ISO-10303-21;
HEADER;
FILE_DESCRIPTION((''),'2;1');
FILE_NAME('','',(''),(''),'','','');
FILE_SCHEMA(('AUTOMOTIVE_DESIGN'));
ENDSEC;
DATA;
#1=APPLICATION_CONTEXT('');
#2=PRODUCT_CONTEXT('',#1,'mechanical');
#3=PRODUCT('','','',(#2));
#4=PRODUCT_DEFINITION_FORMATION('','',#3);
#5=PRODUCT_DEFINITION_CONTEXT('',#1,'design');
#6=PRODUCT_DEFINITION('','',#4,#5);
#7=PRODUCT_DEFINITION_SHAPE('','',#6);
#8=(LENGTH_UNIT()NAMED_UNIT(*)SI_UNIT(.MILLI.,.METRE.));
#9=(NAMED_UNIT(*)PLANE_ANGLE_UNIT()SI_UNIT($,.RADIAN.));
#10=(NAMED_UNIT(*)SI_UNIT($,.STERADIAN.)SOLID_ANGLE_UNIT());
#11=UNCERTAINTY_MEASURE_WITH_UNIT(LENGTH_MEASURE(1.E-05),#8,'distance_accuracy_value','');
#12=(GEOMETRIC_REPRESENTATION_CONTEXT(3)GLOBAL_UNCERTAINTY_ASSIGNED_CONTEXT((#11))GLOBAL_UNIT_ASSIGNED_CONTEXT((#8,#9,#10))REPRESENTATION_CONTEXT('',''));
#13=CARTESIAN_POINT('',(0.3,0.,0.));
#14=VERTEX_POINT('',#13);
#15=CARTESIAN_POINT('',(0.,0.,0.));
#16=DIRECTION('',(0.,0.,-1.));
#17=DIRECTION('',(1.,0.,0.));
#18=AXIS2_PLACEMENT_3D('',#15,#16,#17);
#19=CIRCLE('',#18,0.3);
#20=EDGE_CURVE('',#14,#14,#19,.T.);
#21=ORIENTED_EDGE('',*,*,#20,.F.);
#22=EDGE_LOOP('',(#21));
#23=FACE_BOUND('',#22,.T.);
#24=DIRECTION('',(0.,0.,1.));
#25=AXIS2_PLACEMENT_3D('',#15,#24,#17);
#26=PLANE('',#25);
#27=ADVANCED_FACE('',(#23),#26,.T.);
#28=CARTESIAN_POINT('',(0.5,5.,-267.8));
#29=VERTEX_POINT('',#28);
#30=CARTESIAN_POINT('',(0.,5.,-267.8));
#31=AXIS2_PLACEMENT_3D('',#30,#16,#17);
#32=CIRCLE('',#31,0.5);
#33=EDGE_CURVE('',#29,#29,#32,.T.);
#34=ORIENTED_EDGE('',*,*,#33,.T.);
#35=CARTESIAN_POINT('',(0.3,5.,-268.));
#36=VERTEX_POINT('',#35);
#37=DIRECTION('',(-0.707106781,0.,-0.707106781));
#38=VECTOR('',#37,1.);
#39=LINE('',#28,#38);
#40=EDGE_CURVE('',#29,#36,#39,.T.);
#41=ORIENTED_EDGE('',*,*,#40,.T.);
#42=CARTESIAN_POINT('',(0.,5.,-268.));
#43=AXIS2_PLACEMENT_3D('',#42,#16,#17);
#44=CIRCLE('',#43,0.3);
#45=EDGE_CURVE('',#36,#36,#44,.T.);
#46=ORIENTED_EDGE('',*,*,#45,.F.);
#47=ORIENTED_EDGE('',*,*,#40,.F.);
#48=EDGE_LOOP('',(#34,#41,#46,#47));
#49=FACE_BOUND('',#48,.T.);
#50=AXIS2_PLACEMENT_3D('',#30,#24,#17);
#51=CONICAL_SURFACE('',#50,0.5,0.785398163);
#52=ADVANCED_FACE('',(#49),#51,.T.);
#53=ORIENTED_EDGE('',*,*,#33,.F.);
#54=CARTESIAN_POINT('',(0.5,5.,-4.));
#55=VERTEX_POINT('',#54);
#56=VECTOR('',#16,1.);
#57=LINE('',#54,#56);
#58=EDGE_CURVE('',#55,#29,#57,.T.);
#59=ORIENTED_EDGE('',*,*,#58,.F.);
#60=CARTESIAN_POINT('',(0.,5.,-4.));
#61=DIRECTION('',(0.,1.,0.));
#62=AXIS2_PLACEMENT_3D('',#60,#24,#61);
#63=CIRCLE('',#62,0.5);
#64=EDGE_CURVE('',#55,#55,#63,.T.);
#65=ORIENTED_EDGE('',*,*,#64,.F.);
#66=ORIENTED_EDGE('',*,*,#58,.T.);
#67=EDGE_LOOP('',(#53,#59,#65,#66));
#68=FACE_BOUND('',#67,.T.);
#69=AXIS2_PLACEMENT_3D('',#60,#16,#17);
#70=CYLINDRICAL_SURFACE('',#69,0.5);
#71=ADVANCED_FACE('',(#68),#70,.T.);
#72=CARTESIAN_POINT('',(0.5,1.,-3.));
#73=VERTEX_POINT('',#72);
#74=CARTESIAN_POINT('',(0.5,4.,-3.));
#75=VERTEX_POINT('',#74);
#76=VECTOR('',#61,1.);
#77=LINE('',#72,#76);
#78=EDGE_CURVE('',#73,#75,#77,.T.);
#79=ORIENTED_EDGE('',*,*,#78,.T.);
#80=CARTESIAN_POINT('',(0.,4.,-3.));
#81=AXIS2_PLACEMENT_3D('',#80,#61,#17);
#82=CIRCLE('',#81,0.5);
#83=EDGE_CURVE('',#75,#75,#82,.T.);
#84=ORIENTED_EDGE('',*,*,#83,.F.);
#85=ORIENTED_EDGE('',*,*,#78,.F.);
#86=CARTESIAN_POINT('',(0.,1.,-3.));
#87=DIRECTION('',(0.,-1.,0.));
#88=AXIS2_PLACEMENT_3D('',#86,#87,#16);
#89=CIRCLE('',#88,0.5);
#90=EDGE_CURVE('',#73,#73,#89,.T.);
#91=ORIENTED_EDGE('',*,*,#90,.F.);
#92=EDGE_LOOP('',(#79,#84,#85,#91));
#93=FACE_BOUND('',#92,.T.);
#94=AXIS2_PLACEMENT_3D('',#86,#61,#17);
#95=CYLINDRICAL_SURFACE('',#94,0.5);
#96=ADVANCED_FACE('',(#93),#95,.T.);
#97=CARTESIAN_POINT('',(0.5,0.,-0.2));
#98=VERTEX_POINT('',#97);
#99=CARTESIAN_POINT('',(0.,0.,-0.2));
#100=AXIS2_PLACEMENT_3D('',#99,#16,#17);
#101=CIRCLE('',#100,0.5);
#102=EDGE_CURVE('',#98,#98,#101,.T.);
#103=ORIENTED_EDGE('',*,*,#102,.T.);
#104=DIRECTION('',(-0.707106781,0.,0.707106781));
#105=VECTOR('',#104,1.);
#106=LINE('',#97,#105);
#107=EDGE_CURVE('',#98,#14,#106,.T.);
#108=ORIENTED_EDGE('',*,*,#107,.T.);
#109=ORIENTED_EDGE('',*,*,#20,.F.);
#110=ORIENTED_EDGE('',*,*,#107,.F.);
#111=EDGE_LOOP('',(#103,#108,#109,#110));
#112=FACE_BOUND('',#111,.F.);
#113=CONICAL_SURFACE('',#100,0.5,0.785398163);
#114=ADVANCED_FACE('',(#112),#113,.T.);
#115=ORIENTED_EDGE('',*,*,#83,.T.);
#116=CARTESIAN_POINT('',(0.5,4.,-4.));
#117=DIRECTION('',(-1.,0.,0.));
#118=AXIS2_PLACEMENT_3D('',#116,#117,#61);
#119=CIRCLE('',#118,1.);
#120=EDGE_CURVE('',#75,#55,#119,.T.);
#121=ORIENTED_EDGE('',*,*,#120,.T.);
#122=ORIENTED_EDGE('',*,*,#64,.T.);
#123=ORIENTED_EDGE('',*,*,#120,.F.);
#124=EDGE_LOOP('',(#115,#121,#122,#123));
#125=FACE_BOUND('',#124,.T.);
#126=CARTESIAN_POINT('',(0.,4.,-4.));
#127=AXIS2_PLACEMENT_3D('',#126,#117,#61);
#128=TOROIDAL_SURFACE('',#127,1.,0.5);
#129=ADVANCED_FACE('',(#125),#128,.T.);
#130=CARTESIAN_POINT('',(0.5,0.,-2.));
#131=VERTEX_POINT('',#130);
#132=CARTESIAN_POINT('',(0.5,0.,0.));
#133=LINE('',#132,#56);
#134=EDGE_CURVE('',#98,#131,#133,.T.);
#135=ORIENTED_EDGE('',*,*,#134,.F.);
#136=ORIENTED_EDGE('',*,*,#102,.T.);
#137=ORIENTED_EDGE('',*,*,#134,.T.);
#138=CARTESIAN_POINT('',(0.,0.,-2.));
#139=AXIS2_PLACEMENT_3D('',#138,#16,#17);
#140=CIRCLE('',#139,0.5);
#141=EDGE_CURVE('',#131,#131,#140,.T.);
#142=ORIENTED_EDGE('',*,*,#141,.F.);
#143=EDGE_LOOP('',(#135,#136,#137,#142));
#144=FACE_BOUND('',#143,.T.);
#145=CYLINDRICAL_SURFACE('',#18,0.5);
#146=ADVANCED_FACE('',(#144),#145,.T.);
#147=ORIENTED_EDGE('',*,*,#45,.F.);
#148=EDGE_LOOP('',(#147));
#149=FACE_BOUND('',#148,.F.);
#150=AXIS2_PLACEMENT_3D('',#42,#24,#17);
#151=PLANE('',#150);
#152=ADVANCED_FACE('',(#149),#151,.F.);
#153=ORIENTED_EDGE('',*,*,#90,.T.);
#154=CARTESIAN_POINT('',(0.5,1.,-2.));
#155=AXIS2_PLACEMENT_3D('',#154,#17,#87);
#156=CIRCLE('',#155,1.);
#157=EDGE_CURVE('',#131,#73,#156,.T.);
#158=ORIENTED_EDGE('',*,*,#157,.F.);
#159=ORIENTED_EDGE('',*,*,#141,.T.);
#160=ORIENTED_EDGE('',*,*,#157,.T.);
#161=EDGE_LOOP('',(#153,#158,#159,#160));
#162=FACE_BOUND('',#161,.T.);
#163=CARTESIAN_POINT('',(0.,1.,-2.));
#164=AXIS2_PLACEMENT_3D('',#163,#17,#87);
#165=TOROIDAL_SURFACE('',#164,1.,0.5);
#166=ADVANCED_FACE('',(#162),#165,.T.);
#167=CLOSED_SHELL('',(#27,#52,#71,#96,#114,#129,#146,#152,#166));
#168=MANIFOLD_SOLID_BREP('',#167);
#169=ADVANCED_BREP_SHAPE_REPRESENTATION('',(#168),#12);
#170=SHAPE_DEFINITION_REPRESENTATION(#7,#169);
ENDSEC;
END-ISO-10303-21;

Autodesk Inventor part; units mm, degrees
ref_plane "YZ Plane" through (0, 0, 0) normal (1, 0, 0) x (0, 1, 0)
ref_plane "XZ Plane" through (0, 0, 0) normal (0, 1, 0) x (-1, 0, 0)
ref_plane "XY Plane" through (0, 0, 0) normal (0, 0, 1) x (1, 0, 0)
sketch "Sketch1" plane through (0, 0, 0) normal (0, 0, 1) x (1, 0, 0)
  circle A0 centre (0, 0) radius 0.5
  dimension "d0" = 1
sketch "Sketch2" plane through (0, 0, 0) normal (1, 0, 0) x (0, 1, 0)
  line L0 (0, 0) -> (0, -2)
  line L1 (1, -3) -> (4, -3)
  line L2 (5, -4) -> (5, -268)
  arc A0 (5, -4) -> (4, -3) centre (4, -4) ccw
  arc A1 (0, -2) -> (1, -3) centre (1, -2) ccw
  point P0 (0, -3)
  point P1 (5, -3)
  dimension "d1" = 3
  dimension "d2" = 5
  dimension "d3" = 265
  dimension "d4" = 1
sweep "Sweep1" add profiles "Sketch1" path "Sketch2"
chamfer "Chamfer1" distance 0.2 angle 45 6 edges at (-0.5, 0, 0) (-0.5, 0, -2) (-0.5, 1, -3) (-0.5, 4, -3) (-0.5, 5, -4) (-0.5, 5, -268)
equation "\"d3\" = Length"
equation "\"Length\" = 265"
properties part number "TAIL" material "Steel, High Strength, Low Alloy"
